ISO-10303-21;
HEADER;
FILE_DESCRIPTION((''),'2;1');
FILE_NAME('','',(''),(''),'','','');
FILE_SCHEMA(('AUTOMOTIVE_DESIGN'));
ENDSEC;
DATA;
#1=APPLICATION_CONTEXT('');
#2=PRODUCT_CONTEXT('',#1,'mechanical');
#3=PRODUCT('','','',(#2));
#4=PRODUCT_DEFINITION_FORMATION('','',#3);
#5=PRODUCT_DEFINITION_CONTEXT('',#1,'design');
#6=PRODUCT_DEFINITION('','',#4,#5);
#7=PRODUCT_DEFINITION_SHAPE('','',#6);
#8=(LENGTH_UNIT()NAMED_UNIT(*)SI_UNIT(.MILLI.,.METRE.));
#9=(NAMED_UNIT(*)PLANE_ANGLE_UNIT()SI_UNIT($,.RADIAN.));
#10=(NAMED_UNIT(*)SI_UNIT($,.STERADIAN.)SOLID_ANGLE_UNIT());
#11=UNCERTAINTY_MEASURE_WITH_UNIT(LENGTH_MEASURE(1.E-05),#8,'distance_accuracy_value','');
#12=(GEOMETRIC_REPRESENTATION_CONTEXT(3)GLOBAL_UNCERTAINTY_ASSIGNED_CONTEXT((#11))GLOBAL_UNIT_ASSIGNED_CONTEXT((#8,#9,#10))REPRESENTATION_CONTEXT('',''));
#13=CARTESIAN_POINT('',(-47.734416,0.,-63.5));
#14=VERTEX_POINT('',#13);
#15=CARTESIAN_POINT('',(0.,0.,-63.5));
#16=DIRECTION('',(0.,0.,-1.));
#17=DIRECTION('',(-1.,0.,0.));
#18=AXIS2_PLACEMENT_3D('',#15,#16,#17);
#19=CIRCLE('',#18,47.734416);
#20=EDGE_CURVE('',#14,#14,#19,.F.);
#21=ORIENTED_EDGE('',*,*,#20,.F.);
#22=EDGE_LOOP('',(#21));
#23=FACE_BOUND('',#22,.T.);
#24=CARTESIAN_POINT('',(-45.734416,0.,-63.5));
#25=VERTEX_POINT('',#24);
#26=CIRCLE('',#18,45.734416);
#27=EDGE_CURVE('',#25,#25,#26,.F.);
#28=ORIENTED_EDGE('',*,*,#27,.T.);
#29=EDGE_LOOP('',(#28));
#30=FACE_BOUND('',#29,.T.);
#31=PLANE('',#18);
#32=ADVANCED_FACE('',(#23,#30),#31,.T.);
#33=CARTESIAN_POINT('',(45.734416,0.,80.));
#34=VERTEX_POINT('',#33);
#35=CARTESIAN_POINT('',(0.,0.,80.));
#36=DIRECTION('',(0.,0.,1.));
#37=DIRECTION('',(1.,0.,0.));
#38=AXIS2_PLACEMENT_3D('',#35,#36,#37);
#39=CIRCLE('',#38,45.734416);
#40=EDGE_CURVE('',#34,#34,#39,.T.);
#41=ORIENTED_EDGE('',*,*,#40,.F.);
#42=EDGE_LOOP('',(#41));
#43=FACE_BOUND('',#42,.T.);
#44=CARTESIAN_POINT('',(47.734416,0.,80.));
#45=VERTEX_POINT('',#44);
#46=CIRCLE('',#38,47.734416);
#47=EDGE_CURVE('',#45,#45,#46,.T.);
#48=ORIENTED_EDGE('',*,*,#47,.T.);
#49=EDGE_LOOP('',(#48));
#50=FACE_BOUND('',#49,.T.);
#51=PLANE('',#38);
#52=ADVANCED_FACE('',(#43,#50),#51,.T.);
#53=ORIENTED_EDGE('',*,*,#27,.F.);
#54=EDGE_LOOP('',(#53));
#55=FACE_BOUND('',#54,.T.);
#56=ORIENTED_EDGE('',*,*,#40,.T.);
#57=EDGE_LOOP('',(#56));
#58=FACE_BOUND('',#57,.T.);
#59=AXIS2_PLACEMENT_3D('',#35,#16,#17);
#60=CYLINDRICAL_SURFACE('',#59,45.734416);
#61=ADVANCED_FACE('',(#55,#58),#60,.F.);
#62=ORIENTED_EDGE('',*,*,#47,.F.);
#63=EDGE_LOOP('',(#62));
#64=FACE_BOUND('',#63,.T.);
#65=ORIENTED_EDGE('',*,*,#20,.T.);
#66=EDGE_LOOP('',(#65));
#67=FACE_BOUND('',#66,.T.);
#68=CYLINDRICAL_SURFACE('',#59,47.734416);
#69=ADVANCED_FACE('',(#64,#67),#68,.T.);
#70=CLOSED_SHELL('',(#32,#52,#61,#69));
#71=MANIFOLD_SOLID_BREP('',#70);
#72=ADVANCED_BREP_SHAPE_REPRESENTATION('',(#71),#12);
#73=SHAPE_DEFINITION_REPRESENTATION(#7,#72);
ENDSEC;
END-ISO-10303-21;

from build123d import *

# Parameters (mm, degrees)
BOSS_EXTRUDE1_DEPTH      = 80
BOSS_EXTRUDE1_DEPTH_BACK = 63.5
SKETCH1_R                = 47.734416477
SKETCH1_R_2              = 45.734416477


with BuildPart() as part:
    # Sketch1 → Boss-Extrude1 (new, two sides: drawn at the far end of the back side and taken through both)
    with BuildSketch(Plane.XY.offset(-BOSS_EXTRUDE1_DEPTH_BACK)):
        with Locations(Location((0, 0, 0), (0, 0, 180))):
            Circle(SKETCH1_R)
        with Locations(Location((0, 0, 0), (0, 0, 180))):
            Circle(SKETCH1_R_2, mode=Mode.SUBTRACT)
    extrude(amount=BOSS_EXTRUDE1_DEPTH + BOSS_EXTRUDE1_DEPTH_BACK)


solid = part.part
